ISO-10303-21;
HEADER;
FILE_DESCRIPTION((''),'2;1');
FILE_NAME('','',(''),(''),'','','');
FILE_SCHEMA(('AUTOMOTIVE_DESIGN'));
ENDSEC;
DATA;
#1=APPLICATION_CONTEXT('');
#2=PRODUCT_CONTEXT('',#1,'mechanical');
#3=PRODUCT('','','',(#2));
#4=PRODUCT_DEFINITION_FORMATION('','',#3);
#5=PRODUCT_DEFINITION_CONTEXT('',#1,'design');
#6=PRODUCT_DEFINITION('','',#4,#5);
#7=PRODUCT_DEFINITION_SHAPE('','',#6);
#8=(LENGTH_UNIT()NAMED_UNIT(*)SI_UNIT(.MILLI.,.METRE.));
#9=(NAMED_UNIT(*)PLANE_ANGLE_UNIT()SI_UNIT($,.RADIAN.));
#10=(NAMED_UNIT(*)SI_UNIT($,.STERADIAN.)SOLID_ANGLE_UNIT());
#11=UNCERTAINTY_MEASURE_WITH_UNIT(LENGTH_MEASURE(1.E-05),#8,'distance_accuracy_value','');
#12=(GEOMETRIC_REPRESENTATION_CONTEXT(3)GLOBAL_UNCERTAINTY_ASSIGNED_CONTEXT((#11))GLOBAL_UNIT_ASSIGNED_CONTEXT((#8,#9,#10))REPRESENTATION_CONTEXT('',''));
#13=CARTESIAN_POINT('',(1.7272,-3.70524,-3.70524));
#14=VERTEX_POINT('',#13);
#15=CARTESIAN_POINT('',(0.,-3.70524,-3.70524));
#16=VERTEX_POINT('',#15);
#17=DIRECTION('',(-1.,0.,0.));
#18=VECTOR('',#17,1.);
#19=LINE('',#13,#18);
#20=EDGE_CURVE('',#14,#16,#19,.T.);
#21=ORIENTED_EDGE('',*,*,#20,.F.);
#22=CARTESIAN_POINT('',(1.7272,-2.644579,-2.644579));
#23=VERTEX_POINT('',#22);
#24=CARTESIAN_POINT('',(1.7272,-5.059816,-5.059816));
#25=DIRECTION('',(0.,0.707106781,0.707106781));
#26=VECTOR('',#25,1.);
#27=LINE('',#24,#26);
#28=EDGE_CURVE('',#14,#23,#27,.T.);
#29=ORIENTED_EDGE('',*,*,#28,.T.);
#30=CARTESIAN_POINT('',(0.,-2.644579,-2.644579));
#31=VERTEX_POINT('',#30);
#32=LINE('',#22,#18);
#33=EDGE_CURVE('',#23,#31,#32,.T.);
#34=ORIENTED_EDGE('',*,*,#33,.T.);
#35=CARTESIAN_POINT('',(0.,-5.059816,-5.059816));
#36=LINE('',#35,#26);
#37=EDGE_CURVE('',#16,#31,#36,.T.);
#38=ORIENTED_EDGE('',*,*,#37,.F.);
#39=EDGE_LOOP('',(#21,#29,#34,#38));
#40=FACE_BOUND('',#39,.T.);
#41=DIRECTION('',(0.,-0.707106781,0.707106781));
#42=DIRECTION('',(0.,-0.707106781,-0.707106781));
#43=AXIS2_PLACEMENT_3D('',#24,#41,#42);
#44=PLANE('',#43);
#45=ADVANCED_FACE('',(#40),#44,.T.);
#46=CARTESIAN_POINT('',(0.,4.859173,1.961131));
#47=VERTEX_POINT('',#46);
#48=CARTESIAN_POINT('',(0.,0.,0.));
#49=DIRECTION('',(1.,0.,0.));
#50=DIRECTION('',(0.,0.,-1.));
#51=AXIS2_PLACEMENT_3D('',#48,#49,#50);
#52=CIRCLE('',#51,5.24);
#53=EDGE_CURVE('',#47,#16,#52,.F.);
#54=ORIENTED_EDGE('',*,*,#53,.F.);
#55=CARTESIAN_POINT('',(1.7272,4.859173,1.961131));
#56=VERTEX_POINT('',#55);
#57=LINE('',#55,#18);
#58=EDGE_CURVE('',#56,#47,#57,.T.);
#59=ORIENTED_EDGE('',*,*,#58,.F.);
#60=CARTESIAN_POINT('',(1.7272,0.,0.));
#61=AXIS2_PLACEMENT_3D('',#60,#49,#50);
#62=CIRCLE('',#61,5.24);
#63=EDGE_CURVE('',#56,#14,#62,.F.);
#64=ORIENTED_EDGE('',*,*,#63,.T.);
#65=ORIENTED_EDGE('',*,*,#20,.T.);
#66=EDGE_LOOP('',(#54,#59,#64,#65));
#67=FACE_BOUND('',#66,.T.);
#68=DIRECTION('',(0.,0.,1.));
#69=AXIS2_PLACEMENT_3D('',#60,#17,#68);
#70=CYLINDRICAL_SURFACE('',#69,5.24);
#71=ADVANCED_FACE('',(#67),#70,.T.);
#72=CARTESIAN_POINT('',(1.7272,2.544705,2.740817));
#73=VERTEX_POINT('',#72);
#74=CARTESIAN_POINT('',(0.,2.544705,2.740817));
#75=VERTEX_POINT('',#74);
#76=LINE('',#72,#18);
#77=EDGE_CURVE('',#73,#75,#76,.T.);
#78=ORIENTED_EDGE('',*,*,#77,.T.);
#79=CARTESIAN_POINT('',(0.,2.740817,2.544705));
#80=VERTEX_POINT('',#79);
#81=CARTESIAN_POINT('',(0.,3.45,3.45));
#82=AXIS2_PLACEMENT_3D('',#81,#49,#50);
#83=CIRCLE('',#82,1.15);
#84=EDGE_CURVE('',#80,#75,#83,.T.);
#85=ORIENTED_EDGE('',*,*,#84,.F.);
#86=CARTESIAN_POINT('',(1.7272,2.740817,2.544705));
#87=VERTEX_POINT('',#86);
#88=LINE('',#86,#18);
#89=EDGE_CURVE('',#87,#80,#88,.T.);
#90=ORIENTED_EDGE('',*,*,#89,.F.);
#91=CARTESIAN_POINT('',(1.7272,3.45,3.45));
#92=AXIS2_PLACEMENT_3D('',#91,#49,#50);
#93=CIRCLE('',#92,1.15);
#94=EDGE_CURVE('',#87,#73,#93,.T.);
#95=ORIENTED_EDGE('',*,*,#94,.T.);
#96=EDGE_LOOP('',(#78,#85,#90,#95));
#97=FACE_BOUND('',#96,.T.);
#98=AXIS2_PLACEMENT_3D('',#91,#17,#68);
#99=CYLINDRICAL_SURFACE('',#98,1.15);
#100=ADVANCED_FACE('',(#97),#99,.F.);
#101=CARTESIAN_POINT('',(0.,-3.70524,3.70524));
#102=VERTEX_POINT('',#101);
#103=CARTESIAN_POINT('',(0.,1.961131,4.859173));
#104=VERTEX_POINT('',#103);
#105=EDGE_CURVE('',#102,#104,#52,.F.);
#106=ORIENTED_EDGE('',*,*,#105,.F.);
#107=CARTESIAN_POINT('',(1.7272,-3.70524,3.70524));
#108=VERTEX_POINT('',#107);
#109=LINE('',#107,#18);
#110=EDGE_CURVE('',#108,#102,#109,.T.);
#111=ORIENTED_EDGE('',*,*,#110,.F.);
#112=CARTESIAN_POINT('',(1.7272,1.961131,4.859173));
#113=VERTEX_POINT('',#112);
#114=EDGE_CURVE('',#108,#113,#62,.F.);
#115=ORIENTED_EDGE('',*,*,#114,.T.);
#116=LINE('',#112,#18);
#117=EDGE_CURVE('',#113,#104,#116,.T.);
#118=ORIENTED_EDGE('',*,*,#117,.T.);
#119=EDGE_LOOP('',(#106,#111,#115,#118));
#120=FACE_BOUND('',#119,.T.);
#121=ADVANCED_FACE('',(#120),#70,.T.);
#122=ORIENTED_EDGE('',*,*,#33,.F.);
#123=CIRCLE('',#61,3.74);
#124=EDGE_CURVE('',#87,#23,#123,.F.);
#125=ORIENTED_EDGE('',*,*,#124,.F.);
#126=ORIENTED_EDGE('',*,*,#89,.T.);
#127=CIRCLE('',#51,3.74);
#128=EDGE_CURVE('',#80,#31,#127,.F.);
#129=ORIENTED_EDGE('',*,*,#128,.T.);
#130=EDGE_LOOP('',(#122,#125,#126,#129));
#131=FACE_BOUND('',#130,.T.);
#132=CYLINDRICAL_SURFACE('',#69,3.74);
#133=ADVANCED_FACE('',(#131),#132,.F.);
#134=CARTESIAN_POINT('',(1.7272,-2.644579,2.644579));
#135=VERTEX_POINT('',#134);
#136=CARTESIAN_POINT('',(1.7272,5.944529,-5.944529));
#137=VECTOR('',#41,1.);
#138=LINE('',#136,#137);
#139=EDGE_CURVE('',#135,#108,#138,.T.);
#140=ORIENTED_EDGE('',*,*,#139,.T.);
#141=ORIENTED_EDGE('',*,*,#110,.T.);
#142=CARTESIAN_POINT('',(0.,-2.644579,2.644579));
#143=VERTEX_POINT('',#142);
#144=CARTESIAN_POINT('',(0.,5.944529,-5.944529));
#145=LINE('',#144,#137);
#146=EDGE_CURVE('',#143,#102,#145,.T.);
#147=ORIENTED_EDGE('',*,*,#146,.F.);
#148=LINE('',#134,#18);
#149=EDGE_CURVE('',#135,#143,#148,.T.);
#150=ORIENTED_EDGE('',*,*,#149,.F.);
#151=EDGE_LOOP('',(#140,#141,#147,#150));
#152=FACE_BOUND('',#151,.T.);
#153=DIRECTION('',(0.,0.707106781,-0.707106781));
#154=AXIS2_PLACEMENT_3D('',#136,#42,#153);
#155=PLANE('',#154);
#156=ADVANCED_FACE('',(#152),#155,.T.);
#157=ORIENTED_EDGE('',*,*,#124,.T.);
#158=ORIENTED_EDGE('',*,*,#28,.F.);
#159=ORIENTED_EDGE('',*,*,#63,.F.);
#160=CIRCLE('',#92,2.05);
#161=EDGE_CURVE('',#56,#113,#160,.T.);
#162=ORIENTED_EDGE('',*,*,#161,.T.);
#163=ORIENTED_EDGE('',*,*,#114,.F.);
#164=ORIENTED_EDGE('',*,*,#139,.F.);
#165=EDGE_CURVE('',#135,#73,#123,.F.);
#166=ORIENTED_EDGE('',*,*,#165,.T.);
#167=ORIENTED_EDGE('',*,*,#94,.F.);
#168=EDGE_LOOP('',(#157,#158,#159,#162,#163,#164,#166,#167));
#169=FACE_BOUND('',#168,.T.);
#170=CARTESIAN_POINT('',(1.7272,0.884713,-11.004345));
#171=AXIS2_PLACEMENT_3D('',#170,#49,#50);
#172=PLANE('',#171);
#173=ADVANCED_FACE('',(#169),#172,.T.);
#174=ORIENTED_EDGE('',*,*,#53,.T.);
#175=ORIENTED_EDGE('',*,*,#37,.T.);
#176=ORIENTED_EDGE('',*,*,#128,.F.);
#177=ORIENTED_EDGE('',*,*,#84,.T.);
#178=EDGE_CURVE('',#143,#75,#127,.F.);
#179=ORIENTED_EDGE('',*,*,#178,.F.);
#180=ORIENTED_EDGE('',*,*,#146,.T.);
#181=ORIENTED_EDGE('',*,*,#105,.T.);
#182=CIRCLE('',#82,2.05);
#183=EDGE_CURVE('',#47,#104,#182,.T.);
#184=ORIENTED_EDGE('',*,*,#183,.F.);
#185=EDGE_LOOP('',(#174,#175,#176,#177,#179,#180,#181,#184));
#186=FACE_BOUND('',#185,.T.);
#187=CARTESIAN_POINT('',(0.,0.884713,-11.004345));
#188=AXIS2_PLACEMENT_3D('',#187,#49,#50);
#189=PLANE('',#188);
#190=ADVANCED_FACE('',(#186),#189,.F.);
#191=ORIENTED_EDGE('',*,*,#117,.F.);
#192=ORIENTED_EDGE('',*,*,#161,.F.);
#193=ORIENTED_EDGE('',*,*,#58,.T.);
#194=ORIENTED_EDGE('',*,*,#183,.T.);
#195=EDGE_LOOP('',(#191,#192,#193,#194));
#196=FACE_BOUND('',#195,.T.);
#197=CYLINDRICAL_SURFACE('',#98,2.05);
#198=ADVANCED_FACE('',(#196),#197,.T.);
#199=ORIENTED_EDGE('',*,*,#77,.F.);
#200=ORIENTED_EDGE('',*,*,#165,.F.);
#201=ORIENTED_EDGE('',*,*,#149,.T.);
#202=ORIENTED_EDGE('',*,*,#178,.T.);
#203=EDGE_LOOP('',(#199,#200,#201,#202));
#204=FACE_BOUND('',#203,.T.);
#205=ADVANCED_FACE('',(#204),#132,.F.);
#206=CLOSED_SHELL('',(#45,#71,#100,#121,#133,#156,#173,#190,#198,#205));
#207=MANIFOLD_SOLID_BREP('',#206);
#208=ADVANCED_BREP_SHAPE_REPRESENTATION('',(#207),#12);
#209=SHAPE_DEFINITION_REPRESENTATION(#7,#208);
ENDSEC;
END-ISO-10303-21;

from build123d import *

# Parameters (mm, degrees)
BOSS_EXTRUDE1_DEPTH = 1.7272


with BuildPart() as part:
    # Sketch1 → Boss-Extrude1 (new body)
    with BuildSketch(Plane(origin=(0, 0, 0), x_dir=(0, 0, -1), z_dir=(1, 0, 0))):
        with BuildLine():
            Line((-3.705239533, -3.705239533), (-2.644579362, -2.644579362))
            ThreePointArc((-2.644579362, -2.644579362), (-3.739357011, -0.069348011), (-2.740816906, 2.544704833))
            ThreePointArc((-2.740816906, 2.544704833), (-4.263172798, 4.263172798), (-2.544704833, 2.740816906))
            ThreePointArc((-2.544704833, 2.740816906), (2.693161148, 2.595088251), (2.644579362, -2.644579362))
            Line((2.644579362, -2.644579362), (3.705239533, -3.705239533))
            ThreePointArc((3.705239533, -3.705239533), (4.370099572, 2.891337015), (-1.961131073, 4.859173275))
            ThreePointArc((-1.961131073, 4.859173275), (-4.899568901, 4.899568901), (-4.859173275, 1.961131073))
            ThreePointArc((-4.859173275, 1.961131073), (-5.134611051, -1.045643032), (-3.705239533, -3.705239533))
        make_face()
    extrude(amount=BOSS_EXTRUDE1_DEPTH)


solid = part.part
